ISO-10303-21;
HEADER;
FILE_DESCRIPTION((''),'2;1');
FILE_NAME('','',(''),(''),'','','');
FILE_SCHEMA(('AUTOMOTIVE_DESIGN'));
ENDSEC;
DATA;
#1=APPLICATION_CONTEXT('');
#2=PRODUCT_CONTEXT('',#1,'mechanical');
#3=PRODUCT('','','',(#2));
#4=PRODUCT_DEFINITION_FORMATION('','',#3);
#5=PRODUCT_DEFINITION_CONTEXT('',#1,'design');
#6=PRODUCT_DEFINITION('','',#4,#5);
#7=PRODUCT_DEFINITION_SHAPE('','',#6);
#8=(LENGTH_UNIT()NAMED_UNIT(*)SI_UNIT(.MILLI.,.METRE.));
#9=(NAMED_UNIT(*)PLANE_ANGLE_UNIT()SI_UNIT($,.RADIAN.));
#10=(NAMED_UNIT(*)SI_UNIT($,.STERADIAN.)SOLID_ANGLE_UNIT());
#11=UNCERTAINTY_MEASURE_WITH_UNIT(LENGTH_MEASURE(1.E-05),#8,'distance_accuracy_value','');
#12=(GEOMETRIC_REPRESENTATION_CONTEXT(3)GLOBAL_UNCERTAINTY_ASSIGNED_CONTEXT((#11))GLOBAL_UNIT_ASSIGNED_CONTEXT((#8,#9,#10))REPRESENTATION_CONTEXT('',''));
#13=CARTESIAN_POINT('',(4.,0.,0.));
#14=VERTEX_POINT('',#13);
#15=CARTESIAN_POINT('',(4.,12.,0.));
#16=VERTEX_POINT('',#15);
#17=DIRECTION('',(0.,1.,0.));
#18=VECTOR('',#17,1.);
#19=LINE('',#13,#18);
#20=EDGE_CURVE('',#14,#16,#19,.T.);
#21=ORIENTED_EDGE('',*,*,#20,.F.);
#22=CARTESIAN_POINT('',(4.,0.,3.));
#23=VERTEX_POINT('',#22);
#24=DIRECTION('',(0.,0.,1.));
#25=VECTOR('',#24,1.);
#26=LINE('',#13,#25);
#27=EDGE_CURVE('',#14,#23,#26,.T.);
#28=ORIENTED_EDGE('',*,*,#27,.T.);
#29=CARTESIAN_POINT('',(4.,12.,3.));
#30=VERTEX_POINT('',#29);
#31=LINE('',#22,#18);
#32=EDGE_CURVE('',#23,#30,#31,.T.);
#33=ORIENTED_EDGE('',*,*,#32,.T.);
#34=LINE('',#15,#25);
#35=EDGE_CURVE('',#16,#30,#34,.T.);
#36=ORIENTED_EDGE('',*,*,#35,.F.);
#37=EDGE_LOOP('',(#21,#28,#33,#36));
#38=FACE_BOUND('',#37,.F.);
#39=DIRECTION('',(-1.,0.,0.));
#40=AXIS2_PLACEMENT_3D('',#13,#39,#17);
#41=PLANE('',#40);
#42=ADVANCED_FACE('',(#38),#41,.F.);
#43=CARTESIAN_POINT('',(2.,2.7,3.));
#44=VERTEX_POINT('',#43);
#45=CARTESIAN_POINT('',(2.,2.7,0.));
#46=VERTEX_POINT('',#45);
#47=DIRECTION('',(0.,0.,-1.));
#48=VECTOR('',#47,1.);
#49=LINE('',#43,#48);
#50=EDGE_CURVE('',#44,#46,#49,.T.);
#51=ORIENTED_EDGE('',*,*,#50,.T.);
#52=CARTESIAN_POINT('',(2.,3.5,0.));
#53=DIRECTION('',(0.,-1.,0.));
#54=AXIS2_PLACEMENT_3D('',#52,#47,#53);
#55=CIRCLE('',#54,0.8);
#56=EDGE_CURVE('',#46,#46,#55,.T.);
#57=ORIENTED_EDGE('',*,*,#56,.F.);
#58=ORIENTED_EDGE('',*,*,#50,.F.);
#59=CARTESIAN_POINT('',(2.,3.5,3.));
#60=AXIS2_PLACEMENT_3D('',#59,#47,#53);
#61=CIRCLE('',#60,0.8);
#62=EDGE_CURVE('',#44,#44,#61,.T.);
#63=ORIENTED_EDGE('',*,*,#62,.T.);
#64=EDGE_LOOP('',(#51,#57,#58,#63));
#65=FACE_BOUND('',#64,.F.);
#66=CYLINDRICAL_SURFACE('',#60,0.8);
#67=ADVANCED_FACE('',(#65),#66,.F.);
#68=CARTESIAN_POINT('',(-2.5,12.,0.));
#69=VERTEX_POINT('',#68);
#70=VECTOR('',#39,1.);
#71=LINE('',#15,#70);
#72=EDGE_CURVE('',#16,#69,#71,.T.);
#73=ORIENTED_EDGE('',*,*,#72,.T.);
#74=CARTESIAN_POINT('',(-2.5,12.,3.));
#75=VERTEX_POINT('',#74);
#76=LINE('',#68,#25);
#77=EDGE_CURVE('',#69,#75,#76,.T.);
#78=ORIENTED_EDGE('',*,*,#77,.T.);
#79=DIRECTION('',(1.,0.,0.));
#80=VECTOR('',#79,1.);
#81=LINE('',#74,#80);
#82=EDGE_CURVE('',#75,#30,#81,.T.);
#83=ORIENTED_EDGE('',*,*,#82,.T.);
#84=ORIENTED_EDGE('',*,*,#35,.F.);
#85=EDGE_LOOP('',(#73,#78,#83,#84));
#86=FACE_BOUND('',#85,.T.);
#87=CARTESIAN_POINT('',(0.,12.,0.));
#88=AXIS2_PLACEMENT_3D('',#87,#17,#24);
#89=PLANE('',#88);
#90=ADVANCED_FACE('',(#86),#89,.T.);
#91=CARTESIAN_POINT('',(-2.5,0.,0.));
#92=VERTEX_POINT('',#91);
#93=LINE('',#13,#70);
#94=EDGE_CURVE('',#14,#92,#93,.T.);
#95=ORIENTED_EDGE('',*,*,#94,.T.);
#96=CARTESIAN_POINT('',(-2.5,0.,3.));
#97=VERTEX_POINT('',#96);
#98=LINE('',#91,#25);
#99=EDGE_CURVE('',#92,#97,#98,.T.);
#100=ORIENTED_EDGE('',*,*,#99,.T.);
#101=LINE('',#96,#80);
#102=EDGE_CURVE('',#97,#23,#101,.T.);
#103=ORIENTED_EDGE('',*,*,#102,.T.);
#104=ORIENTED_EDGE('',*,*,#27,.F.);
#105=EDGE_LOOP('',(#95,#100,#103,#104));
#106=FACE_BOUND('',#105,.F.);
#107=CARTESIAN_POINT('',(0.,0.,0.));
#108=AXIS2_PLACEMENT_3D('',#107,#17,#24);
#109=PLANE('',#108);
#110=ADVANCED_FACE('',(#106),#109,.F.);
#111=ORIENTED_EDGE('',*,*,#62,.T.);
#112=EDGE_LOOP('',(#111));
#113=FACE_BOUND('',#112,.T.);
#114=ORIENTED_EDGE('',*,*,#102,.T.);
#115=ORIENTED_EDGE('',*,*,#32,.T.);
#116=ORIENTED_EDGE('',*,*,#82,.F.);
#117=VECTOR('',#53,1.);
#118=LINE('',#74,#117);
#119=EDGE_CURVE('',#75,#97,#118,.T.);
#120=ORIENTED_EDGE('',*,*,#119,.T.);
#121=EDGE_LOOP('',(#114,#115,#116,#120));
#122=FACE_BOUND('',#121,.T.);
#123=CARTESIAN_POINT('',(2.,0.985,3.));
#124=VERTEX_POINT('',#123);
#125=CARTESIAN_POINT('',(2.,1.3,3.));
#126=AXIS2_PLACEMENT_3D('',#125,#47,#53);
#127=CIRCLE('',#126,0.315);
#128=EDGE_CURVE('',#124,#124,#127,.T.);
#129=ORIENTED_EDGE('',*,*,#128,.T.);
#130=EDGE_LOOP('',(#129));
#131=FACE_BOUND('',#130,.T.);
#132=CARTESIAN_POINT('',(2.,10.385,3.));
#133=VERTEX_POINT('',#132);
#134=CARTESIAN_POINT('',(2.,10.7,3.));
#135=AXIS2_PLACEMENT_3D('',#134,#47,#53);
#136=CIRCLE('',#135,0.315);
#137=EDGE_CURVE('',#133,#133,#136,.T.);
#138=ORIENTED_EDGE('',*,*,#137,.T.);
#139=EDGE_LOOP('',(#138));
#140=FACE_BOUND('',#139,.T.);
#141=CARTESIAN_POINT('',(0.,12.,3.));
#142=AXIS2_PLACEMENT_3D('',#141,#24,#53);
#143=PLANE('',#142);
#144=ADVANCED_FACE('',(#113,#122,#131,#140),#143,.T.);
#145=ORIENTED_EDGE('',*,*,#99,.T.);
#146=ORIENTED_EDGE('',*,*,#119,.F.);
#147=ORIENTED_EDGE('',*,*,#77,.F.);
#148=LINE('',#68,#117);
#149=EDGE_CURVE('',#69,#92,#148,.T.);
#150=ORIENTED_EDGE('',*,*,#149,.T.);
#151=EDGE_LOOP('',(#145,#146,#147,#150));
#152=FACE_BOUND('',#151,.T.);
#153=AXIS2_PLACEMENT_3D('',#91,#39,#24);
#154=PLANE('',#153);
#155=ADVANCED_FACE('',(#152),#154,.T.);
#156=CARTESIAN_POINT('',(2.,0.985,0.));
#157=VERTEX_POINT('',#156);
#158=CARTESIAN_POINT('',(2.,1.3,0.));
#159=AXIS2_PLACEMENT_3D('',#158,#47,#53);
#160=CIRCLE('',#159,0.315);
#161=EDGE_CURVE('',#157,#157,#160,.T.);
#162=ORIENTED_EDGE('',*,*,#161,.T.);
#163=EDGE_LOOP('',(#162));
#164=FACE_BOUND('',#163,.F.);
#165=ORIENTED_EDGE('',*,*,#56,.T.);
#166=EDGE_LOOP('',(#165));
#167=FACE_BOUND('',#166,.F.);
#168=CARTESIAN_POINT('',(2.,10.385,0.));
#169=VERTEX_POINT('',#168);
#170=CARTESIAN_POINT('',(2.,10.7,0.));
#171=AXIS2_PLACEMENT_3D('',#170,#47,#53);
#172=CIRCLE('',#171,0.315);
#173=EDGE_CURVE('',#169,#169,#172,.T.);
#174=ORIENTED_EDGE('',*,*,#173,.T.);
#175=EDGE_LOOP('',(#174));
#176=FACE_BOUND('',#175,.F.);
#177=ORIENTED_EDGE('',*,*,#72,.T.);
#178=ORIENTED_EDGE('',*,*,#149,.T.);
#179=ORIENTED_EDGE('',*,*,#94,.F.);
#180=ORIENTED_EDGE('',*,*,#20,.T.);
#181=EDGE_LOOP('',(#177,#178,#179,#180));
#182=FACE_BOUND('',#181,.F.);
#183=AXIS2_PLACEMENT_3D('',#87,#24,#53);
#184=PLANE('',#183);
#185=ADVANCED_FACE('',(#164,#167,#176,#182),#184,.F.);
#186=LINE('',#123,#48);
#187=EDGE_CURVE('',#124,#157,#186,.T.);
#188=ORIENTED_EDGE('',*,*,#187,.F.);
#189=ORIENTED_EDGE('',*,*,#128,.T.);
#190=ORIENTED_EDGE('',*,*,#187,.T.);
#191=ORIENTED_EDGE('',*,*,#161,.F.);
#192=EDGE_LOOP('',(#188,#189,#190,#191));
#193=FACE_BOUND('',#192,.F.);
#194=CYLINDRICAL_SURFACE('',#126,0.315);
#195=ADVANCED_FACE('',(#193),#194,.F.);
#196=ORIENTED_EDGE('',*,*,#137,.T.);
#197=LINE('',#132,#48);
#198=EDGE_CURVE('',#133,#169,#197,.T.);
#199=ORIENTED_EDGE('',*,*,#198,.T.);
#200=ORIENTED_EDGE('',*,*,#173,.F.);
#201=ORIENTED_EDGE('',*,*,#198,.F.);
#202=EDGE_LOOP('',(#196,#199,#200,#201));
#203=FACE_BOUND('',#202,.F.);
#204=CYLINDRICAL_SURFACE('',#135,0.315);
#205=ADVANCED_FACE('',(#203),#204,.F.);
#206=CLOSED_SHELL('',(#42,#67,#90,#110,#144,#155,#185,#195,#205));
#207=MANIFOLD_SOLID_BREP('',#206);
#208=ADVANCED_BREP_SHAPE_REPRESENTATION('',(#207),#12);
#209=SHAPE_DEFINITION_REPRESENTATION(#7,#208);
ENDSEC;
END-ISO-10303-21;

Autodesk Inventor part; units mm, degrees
ref_plane "YZ Plane" through (0, 0, 0) normal (1, 0, 0) x (0, 1, 0)
ref_plane "XZ Plane" through (0, 0, 0) normal (0, 1, 0) x (-1, 0, 0)
ref_plane "XY Plane" through (0, 0, 0) normal (0, 0, 1) x (1, 0, 0)
sketch "스케치1" plane through (0, 0, 0) normal (0, 0, 1) x (1, 0, 0)
  line L0 (0, 0) -> (4, 0)
  line L1 (4, 0) -> (4, 12)
  line L2 (4, 12) -> (0, 12)
  line L3 (0, 12) -> (0, 0)
  dimension "d0" = 4
  dimension "d1" = 12
extrude "돌출1" add sketch "스케치1" along normal blind 3
sketch "스케치2" plane through (0, 0, 3) normal (0, 0, 1) x (1, 0, 0)
  line L0 (4, 12) -> (0, 12) construction
  line L1 (2, 12) -> (2, 0) construction
  line L2 (0, 0) -> (4, 0) construction
  line L3 (4, 0) -> (4, 12) projected
  line L4 (0, 12) -> (0, 0) projected
  point P0 (2, 7.7)
  point P1 (2, 3.5)
  point P2 (2, 1.3)
  point P3 (2, 10.7)
  dimension "d9" = 4.3
  dimension "d45" = 1.3
  dimension "d51" = 4.2
  dimension "d52" = 2.2
  dimension "d55" = 1.3
hole "구멍2" at (2, 3.5, 3) direction (0, 0, -1) diameter 1.6 end through all
hole "구멍3" at (2, 1.3, 3) at (2, 10.7, 3) direction (0, 0, -1) diameter 0.63 end through all
sketch "스케치4" plane through (0, 0, 0) normal (-1, 0, 0) x (0, 0, 1)
  line L0 (0, 12) -> (0, 0) projected
  line L1 (0, 0) -> (3, 0) projected
  line L2 (3, 12) -> (3, 0) projected
  line L3 (0, 12) -> (3, 12) projected
extrude "돌출4" add sketch "스케치4" along normal blind 2.5
equation "\"G23_M\" = 0.67"
equation "\"G23_F\" = 0.65"
properties part number "_3D 인쇄"
